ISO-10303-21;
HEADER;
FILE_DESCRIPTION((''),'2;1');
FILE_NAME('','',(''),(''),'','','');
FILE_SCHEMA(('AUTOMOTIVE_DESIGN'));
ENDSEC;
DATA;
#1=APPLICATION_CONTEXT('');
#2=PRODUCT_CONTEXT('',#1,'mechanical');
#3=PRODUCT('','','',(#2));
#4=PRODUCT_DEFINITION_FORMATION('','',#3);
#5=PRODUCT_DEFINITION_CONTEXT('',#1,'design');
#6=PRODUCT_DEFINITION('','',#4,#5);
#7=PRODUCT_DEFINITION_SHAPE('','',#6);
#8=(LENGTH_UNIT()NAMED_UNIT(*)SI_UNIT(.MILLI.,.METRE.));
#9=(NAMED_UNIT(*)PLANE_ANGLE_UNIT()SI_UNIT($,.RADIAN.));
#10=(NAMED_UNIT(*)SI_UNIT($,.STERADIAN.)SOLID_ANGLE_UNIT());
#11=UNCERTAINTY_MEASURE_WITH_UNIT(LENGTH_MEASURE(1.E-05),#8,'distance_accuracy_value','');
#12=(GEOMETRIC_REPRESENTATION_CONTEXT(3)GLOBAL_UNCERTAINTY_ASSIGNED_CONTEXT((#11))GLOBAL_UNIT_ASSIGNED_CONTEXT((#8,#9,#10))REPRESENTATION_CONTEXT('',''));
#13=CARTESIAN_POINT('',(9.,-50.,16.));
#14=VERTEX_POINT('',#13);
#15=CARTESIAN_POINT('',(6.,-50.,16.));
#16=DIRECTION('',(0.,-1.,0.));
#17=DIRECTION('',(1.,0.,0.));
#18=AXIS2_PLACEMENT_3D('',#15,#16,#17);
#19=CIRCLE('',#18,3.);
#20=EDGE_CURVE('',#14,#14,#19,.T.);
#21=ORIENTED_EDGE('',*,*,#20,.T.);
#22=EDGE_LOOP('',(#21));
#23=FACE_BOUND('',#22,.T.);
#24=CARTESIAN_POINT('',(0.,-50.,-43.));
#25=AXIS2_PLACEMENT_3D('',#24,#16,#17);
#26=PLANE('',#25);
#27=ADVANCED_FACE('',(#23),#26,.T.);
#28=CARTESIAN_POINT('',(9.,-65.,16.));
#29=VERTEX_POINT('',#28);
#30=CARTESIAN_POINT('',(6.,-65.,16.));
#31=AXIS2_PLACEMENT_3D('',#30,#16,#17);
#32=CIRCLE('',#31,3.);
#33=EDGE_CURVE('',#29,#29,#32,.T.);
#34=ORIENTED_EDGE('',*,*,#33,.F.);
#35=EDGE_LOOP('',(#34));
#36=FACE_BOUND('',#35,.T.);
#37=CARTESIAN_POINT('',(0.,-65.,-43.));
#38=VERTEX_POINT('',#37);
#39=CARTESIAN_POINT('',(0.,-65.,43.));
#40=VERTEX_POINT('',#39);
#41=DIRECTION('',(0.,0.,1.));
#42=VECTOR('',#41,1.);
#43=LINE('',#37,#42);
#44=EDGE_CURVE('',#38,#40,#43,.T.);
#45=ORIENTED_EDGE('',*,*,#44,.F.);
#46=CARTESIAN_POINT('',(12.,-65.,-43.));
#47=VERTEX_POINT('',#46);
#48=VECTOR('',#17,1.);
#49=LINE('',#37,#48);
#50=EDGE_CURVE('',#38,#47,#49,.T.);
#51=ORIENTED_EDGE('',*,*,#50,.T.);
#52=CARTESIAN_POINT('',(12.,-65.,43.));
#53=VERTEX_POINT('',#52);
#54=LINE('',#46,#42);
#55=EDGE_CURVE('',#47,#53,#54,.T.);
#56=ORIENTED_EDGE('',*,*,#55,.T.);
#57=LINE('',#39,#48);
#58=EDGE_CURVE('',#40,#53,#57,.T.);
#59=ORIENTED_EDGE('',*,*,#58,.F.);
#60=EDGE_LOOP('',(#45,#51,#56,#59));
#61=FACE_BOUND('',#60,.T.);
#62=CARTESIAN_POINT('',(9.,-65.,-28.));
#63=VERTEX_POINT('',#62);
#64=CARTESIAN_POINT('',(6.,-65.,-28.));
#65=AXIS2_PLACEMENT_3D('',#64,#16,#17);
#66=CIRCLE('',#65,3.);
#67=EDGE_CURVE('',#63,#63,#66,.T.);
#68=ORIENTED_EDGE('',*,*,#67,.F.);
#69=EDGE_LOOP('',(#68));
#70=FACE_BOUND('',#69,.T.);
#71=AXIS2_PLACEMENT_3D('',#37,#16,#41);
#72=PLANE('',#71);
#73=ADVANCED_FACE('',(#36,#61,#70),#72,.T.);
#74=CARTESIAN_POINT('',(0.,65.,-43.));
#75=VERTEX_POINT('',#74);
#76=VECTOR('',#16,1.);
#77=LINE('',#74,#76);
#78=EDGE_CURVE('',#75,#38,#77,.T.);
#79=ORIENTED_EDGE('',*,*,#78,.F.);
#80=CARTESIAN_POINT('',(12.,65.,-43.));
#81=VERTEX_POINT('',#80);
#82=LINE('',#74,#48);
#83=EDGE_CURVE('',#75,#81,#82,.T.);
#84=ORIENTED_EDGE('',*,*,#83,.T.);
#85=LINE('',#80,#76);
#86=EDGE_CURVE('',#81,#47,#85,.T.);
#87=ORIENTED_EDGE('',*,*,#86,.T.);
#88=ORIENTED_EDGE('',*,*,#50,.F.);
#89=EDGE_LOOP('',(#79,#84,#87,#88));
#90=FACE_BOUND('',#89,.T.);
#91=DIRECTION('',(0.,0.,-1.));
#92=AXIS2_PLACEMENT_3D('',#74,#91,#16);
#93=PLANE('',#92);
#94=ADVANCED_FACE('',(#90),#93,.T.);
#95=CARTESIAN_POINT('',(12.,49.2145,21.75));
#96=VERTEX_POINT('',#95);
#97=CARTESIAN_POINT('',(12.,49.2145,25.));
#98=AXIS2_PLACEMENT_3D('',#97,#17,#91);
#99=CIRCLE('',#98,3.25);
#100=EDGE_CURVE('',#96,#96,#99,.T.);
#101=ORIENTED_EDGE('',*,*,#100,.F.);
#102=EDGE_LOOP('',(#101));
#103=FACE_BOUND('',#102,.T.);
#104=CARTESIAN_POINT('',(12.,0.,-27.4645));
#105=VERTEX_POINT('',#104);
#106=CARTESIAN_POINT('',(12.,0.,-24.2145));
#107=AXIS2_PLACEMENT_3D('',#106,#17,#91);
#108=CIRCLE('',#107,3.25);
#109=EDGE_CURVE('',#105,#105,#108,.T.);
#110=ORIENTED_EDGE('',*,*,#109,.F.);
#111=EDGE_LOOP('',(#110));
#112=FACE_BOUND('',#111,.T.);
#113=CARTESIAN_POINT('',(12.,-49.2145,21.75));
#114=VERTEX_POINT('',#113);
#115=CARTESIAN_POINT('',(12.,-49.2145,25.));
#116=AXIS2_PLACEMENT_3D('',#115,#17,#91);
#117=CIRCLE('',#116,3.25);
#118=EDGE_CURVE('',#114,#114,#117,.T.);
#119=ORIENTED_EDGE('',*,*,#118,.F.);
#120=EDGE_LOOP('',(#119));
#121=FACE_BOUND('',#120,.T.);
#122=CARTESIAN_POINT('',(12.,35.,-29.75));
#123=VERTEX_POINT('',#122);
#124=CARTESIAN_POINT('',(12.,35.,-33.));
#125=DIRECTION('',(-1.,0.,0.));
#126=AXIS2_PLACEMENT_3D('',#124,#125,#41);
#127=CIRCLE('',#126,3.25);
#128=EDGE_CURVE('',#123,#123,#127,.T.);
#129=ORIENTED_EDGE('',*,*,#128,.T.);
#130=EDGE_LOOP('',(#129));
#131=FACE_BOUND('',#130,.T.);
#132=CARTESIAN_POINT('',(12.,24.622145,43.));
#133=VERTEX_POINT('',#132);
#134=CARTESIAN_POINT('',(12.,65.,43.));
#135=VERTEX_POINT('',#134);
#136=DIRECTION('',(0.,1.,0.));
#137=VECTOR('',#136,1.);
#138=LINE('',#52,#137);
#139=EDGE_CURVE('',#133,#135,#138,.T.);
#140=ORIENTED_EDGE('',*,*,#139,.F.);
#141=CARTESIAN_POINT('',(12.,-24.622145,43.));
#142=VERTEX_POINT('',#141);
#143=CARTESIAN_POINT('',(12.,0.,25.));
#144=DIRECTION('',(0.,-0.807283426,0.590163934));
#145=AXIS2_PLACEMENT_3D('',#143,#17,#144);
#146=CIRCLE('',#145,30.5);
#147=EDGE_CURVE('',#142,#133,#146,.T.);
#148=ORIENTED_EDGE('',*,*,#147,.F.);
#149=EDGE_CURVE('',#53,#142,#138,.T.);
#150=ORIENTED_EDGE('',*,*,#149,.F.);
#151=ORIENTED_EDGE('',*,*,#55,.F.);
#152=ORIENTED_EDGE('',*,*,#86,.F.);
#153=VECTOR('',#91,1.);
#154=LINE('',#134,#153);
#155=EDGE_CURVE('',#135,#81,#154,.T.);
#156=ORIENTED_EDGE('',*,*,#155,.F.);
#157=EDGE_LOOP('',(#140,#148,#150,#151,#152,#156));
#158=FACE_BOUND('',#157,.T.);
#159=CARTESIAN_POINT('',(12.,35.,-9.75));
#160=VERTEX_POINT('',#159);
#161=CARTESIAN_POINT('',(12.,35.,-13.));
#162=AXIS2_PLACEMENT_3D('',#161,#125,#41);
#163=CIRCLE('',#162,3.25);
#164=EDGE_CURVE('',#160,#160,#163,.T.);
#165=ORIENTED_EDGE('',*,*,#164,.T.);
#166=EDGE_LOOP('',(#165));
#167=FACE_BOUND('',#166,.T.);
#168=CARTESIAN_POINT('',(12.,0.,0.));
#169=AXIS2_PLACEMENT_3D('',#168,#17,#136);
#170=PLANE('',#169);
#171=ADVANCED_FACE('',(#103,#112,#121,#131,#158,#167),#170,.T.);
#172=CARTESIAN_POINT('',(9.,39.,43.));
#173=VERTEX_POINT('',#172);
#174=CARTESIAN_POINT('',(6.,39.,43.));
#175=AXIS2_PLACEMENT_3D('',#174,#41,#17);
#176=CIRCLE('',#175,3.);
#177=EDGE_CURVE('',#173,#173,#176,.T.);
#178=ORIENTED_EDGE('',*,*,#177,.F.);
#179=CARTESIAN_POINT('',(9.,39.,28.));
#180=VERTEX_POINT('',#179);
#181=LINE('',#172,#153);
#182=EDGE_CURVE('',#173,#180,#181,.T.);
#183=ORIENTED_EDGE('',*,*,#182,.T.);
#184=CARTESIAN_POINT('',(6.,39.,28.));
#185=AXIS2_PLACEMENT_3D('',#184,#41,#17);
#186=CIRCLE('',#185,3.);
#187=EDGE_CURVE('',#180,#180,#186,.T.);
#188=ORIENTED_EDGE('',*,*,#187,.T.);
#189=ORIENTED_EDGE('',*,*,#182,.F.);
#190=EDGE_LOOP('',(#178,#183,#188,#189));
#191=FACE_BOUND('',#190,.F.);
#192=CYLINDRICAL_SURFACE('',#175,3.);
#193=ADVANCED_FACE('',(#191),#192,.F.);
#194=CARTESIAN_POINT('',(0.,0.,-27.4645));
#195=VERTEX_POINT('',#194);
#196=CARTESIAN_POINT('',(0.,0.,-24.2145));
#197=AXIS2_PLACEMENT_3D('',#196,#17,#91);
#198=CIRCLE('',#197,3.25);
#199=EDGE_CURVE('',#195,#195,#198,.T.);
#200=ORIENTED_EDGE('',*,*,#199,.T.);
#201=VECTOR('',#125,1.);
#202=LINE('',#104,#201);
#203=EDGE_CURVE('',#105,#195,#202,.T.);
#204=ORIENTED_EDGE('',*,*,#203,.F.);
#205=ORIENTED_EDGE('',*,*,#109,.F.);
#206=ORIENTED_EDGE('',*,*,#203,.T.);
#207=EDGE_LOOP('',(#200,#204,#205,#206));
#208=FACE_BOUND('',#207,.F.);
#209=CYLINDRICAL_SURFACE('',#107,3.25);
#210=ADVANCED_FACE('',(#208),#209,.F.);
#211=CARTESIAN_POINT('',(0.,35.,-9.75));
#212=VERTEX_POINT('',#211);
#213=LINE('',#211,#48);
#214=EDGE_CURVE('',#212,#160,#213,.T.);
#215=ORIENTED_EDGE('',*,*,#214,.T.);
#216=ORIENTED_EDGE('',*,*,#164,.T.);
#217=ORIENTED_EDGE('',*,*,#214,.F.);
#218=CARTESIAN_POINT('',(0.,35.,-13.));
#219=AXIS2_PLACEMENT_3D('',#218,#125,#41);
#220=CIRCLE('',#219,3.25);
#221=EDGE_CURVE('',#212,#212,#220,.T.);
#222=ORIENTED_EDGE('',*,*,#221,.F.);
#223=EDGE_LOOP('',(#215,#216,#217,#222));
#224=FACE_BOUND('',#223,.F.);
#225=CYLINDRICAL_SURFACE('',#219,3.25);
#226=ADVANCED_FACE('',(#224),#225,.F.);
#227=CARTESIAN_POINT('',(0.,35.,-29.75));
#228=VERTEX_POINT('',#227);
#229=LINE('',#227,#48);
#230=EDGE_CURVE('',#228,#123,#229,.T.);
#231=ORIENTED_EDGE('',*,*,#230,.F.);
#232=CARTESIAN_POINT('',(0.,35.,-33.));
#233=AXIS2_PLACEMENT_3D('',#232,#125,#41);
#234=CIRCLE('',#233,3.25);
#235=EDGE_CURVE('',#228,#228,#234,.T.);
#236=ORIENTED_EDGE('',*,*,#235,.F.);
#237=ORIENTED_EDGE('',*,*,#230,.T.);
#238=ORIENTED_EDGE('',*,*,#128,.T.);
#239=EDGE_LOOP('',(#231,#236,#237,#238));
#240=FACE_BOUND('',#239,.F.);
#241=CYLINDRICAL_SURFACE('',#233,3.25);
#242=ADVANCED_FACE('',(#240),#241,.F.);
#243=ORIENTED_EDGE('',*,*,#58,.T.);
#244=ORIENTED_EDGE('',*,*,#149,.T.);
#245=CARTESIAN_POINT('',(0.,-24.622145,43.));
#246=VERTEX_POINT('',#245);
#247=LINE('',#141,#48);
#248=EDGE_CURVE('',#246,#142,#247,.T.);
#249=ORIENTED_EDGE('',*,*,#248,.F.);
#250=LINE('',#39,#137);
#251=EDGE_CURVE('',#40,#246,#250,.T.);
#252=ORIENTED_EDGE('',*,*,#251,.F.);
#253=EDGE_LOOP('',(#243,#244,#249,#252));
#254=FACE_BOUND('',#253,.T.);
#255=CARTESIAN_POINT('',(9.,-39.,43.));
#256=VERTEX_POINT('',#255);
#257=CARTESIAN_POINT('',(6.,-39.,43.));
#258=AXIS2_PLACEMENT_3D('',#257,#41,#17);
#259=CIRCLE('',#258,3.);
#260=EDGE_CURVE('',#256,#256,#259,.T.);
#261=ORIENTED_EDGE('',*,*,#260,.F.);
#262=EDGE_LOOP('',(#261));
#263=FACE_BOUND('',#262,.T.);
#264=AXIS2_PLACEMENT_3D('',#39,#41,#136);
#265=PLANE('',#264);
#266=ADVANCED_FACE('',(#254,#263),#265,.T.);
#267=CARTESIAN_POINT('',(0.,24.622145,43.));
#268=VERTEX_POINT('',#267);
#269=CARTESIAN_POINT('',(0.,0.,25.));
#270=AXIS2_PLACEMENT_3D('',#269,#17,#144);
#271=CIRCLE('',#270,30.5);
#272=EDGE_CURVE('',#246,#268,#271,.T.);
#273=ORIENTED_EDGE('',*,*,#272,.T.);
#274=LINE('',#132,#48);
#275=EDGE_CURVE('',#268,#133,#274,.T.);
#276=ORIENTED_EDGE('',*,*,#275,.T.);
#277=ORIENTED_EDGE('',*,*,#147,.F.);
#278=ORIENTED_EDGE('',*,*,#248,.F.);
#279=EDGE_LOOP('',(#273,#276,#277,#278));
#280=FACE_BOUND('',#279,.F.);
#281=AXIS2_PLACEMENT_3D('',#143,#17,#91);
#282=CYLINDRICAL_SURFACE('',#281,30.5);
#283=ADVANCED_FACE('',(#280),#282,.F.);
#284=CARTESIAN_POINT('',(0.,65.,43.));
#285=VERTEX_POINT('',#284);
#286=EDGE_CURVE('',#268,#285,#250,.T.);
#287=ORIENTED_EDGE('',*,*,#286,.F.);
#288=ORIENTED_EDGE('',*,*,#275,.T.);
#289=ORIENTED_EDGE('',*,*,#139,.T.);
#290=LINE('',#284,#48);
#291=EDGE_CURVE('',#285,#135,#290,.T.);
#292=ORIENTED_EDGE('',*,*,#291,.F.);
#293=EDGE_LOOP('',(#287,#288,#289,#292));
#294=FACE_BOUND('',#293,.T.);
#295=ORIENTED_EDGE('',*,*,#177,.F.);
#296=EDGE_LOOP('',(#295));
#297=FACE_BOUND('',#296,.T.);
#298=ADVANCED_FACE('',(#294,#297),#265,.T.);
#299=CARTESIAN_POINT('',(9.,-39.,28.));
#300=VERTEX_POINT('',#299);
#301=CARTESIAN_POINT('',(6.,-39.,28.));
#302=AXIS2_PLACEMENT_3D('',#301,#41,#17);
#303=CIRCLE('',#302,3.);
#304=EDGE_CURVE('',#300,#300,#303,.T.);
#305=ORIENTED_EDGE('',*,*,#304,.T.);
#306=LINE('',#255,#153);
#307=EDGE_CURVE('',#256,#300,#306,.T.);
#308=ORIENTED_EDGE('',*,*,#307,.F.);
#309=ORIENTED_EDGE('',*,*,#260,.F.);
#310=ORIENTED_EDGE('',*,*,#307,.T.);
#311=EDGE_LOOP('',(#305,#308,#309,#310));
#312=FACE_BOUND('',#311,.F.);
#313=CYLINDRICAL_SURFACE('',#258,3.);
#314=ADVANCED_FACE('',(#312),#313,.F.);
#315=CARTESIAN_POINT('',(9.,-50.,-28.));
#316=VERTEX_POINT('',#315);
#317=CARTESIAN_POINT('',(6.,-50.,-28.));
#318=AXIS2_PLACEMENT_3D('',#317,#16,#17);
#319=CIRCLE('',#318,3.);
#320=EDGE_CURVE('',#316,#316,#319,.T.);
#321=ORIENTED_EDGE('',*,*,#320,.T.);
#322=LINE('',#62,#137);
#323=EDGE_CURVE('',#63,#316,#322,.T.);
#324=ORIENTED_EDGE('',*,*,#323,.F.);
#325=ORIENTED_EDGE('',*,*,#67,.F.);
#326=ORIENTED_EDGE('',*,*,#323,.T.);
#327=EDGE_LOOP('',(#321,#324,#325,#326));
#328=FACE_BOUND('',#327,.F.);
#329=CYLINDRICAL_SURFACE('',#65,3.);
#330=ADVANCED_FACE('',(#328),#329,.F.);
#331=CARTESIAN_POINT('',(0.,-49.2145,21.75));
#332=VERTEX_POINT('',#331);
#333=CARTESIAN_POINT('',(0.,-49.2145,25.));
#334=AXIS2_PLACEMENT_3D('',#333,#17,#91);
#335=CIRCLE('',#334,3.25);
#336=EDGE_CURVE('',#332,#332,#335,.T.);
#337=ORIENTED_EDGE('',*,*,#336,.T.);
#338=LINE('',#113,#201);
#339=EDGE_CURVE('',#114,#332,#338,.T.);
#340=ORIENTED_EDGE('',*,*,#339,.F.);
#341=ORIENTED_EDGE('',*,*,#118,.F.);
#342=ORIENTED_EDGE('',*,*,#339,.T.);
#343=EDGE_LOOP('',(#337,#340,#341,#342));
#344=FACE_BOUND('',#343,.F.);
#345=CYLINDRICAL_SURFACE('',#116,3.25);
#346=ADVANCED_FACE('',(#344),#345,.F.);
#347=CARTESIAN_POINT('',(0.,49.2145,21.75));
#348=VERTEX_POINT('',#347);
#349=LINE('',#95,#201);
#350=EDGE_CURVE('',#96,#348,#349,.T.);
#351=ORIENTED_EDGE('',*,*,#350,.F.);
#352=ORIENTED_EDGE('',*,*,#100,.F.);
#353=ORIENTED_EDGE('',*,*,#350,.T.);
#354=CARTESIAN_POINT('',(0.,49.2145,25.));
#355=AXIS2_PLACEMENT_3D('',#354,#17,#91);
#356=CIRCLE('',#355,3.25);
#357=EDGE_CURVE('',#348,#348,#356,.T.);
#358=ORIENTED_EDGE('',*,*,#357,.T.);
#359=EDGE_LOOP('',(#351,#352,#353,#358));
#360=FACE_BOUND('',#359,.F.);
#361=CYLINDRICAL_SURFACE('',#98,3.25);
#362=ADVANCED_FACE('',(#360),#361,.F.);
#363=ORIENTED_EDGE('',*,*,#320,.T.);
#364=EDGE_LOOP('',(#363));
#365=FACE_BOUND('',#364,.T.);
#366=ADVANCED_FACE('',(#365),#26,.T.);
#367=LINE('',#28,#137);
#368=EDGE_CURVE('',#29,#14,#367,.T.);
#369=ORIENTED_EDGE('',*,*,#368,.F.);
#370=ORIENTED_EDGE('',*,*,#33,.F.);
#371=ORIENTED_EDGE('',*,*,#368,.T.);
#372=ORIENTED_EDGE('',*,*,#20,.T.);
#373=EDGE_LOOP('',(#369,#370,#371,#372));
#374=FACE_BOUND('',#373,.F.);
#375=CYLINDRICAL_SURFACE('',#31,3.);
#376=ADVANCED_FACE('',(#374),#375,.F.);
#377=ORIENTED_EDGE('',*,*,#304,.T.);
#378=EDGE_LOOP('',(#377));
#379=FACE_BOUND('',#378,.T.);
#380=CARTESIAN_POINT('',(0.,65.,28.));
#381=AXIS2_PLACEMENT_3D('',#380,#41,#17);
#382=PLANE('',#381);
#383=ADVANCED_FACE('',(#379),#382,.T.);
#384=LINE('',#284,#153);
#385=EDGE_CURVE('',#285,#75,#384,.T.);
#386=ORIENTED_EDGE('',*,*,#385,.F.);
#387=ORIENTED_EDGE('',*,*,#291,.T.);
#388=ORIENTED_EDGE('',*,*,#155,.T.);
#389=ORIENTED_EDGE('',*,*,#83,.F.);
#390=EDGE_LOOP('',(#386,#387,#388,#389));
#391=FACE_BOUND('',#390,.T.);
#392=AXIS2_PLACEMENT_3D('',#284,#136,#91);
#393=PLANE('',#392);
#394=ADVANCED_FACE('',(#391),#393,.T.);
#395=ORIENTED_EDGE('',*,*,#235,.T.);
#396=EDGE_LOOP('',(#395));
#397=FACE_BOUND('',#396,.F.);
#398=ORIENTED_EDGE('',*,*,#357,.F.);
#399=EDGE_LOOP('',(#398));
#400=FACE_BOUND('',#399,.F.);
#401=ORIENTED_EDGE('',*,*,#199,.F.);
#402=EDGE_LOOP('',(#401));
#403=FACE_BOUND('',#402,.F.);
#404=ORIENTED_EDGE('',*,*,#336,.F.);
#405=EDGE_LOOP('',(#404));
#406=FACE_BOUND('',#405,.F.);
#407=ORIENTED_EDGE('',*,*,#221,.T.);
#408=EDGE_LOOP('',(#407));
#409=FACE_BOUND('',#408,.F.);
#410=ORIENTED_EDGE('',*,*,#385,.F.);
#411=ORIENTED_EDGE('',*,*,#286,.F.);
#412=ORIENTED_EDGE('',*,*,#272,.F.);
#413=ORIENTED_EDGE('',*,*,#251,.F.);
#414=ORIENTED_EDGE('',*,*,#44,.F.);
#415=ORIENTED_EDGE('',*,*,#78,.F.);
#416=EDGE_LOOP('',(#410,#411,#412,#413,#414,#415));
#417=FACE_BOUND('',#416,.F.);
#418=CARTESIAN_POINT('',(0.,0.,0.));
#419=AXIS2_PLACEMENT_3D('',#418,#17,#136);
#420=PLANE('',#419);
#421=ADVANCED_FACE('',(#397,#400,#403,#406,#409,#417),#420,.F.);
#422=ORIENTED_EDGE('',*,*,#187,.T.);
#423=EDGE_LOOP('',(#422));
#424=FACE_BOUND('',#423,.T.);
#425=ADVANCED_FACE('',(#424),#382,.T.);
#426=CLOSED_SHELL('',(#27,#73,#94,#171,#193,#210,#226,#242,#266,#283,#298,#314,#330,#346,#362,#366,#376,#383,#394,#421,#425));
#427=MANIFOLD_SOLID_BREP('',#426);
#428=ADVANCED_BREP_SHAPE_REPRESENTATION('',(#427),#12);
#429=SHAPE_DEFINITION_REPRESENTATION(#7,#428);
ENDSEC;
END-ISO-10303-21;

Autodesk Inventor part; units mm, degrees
ref_plane "YZ Plane" through (0, 0, 0) normal (1, 0, 0) x (0, 1, 0)
ref_plane "XZ Plane" through (0, 0, 0) normal (0, 1, 0) x (-1, 0, 0)
ref_plane "XY Plane" through (0, 0, 0) normal (0, 0, 1) x (1, 0, 0)
sketch "Sketch1" plane through (0, 0, 0) normal (1, 0, 0) x (0, 1, 0)
  line L0 (-65, 43) -> (65, 43)
  line L1 (65, 43) -> (65, -43)
  line L2 (65, -43) -> (-65, -43)
  line L3 (-65, -43) -> (-65, 43)
  line L4 (-65, 43) -> (65, -43) construction
  line L5 (65, 43) -> (-65, -43) construction
  point P0 (0, 0)
  dimension "d0" = 130
  dimension "d1" = 86
extrude "Extrusion1" add sketch "Sketch1" along normal blind 12
sketch "Sketch2" plane through (12, 0, 0) normal (1, 0, 0) x (0, 0, -1)
  circle A0 centre (-25, 49.2145) radius 3.25
  circle A1 centre (-25, -49.2145) radius 3.25
  line L0 (-43, 65) -> (-43, -65) projected
  line L1 (-25, 49.2145) -> (-25, -49.2145) construction
  line L2 (-43, 0) -> (-25, 0) construction
  circle A2 centre (24.2145, 0) radius 3.25
  line L3 (-25, 0) -> (24.2145, 0) construction
  circle A3 centre (-25, 0) radius 30.5
  point P0 (0, 0)
  dimension "d4" = 18
  dimension "d5" = 18
  dimension "d6" = 98.429
  dimension "d7" = 6.5
  dimension "d8" = 6.5
  dimension "d9" = 6.5
  dimension "d10" = 49.2145
  dimension "d13" = 61
extrude "Extrusion2" cut sketch "Sketch2" against normal through all
ref_plane "Work Plane1" through (6, 0, 0) normal (1, 0, 0) x (0, 0, -1)
sketch "Sketch3" plane through (0, 65, 43) normal (0, 0, 1) x (1, 0, 0)
  circle A0 centre (6, -8) radius 3 construction
  circle A1 centre (6, -104) radius 3
  line L0 (0, -130) -> (12, -130) projected
  line L1 (6, -130) -> (6, 0) construction
  line L2 (0, 0) -> (12, 0) projected
  circle A2 centre (6, -26) radius 3
  point P0 (0, -65)
  dimension "d14" = 6
  dimension "d15" = 26
  dimension "d17" = 8
  dimension "d29" = 18
extrude "Extrusion3" cut sketch "Sketch3" against normal blind 15
sketch "Sketch4" plane through (0, -65, -43) normal (0, -1, 0) x (1, 0, 0)
  circle A0 centre (6, 15) radius 3
  circle A1 centre (6, 59) radius 3
  line L0 (0, 0) -> (12, 0) projected
  line L1 (6, 0) -> (6, 86) construction
  line L2 (0, 86) -> (12, 86) projected
  point P0 (0, 43)
  dimension "d21" = 6
  dimension "d22" = 27
  dimension "d23" = 15
extrude "Extrusion4" cut sketch "Sketch4" against normal blind 15
sketch "Sketch6" plane through (0, 0, 0) normal (-1, 0, 0) x (0, 0, 1)
  circle A0 centre (-33, 35) radius 3 construction
  circle A1 centre (-13, 35) radius 3 construction
  circle A2 centre (-13, 35) radius 3.25
  circle A3 centre (-33, 35) radius 3.25
  point P0 (0, 0)
  dimension "d32" = 0.25
  dimension "d33" = 0.25
extrude "Extrusion6" cut sketch "Sketch6" against normal through all
thread "Thread1" size "M6x1" class "6H" standard "ANSI Metric M Profile" full length
thread "Thread2" size "M6x1" class "6H" standard "ANSI Metric M Profile" full length
thread "Thread3" size "M6x1" class "6H" standard "ANSI Metric M Profile" full length
thread "Thread4" size "M6x1" class "6H" standard "ANSI Metric M Profile" full length
equation "\"d10\" = 0.5 * d6"
properties part number "MotorHolderLongAxis"
